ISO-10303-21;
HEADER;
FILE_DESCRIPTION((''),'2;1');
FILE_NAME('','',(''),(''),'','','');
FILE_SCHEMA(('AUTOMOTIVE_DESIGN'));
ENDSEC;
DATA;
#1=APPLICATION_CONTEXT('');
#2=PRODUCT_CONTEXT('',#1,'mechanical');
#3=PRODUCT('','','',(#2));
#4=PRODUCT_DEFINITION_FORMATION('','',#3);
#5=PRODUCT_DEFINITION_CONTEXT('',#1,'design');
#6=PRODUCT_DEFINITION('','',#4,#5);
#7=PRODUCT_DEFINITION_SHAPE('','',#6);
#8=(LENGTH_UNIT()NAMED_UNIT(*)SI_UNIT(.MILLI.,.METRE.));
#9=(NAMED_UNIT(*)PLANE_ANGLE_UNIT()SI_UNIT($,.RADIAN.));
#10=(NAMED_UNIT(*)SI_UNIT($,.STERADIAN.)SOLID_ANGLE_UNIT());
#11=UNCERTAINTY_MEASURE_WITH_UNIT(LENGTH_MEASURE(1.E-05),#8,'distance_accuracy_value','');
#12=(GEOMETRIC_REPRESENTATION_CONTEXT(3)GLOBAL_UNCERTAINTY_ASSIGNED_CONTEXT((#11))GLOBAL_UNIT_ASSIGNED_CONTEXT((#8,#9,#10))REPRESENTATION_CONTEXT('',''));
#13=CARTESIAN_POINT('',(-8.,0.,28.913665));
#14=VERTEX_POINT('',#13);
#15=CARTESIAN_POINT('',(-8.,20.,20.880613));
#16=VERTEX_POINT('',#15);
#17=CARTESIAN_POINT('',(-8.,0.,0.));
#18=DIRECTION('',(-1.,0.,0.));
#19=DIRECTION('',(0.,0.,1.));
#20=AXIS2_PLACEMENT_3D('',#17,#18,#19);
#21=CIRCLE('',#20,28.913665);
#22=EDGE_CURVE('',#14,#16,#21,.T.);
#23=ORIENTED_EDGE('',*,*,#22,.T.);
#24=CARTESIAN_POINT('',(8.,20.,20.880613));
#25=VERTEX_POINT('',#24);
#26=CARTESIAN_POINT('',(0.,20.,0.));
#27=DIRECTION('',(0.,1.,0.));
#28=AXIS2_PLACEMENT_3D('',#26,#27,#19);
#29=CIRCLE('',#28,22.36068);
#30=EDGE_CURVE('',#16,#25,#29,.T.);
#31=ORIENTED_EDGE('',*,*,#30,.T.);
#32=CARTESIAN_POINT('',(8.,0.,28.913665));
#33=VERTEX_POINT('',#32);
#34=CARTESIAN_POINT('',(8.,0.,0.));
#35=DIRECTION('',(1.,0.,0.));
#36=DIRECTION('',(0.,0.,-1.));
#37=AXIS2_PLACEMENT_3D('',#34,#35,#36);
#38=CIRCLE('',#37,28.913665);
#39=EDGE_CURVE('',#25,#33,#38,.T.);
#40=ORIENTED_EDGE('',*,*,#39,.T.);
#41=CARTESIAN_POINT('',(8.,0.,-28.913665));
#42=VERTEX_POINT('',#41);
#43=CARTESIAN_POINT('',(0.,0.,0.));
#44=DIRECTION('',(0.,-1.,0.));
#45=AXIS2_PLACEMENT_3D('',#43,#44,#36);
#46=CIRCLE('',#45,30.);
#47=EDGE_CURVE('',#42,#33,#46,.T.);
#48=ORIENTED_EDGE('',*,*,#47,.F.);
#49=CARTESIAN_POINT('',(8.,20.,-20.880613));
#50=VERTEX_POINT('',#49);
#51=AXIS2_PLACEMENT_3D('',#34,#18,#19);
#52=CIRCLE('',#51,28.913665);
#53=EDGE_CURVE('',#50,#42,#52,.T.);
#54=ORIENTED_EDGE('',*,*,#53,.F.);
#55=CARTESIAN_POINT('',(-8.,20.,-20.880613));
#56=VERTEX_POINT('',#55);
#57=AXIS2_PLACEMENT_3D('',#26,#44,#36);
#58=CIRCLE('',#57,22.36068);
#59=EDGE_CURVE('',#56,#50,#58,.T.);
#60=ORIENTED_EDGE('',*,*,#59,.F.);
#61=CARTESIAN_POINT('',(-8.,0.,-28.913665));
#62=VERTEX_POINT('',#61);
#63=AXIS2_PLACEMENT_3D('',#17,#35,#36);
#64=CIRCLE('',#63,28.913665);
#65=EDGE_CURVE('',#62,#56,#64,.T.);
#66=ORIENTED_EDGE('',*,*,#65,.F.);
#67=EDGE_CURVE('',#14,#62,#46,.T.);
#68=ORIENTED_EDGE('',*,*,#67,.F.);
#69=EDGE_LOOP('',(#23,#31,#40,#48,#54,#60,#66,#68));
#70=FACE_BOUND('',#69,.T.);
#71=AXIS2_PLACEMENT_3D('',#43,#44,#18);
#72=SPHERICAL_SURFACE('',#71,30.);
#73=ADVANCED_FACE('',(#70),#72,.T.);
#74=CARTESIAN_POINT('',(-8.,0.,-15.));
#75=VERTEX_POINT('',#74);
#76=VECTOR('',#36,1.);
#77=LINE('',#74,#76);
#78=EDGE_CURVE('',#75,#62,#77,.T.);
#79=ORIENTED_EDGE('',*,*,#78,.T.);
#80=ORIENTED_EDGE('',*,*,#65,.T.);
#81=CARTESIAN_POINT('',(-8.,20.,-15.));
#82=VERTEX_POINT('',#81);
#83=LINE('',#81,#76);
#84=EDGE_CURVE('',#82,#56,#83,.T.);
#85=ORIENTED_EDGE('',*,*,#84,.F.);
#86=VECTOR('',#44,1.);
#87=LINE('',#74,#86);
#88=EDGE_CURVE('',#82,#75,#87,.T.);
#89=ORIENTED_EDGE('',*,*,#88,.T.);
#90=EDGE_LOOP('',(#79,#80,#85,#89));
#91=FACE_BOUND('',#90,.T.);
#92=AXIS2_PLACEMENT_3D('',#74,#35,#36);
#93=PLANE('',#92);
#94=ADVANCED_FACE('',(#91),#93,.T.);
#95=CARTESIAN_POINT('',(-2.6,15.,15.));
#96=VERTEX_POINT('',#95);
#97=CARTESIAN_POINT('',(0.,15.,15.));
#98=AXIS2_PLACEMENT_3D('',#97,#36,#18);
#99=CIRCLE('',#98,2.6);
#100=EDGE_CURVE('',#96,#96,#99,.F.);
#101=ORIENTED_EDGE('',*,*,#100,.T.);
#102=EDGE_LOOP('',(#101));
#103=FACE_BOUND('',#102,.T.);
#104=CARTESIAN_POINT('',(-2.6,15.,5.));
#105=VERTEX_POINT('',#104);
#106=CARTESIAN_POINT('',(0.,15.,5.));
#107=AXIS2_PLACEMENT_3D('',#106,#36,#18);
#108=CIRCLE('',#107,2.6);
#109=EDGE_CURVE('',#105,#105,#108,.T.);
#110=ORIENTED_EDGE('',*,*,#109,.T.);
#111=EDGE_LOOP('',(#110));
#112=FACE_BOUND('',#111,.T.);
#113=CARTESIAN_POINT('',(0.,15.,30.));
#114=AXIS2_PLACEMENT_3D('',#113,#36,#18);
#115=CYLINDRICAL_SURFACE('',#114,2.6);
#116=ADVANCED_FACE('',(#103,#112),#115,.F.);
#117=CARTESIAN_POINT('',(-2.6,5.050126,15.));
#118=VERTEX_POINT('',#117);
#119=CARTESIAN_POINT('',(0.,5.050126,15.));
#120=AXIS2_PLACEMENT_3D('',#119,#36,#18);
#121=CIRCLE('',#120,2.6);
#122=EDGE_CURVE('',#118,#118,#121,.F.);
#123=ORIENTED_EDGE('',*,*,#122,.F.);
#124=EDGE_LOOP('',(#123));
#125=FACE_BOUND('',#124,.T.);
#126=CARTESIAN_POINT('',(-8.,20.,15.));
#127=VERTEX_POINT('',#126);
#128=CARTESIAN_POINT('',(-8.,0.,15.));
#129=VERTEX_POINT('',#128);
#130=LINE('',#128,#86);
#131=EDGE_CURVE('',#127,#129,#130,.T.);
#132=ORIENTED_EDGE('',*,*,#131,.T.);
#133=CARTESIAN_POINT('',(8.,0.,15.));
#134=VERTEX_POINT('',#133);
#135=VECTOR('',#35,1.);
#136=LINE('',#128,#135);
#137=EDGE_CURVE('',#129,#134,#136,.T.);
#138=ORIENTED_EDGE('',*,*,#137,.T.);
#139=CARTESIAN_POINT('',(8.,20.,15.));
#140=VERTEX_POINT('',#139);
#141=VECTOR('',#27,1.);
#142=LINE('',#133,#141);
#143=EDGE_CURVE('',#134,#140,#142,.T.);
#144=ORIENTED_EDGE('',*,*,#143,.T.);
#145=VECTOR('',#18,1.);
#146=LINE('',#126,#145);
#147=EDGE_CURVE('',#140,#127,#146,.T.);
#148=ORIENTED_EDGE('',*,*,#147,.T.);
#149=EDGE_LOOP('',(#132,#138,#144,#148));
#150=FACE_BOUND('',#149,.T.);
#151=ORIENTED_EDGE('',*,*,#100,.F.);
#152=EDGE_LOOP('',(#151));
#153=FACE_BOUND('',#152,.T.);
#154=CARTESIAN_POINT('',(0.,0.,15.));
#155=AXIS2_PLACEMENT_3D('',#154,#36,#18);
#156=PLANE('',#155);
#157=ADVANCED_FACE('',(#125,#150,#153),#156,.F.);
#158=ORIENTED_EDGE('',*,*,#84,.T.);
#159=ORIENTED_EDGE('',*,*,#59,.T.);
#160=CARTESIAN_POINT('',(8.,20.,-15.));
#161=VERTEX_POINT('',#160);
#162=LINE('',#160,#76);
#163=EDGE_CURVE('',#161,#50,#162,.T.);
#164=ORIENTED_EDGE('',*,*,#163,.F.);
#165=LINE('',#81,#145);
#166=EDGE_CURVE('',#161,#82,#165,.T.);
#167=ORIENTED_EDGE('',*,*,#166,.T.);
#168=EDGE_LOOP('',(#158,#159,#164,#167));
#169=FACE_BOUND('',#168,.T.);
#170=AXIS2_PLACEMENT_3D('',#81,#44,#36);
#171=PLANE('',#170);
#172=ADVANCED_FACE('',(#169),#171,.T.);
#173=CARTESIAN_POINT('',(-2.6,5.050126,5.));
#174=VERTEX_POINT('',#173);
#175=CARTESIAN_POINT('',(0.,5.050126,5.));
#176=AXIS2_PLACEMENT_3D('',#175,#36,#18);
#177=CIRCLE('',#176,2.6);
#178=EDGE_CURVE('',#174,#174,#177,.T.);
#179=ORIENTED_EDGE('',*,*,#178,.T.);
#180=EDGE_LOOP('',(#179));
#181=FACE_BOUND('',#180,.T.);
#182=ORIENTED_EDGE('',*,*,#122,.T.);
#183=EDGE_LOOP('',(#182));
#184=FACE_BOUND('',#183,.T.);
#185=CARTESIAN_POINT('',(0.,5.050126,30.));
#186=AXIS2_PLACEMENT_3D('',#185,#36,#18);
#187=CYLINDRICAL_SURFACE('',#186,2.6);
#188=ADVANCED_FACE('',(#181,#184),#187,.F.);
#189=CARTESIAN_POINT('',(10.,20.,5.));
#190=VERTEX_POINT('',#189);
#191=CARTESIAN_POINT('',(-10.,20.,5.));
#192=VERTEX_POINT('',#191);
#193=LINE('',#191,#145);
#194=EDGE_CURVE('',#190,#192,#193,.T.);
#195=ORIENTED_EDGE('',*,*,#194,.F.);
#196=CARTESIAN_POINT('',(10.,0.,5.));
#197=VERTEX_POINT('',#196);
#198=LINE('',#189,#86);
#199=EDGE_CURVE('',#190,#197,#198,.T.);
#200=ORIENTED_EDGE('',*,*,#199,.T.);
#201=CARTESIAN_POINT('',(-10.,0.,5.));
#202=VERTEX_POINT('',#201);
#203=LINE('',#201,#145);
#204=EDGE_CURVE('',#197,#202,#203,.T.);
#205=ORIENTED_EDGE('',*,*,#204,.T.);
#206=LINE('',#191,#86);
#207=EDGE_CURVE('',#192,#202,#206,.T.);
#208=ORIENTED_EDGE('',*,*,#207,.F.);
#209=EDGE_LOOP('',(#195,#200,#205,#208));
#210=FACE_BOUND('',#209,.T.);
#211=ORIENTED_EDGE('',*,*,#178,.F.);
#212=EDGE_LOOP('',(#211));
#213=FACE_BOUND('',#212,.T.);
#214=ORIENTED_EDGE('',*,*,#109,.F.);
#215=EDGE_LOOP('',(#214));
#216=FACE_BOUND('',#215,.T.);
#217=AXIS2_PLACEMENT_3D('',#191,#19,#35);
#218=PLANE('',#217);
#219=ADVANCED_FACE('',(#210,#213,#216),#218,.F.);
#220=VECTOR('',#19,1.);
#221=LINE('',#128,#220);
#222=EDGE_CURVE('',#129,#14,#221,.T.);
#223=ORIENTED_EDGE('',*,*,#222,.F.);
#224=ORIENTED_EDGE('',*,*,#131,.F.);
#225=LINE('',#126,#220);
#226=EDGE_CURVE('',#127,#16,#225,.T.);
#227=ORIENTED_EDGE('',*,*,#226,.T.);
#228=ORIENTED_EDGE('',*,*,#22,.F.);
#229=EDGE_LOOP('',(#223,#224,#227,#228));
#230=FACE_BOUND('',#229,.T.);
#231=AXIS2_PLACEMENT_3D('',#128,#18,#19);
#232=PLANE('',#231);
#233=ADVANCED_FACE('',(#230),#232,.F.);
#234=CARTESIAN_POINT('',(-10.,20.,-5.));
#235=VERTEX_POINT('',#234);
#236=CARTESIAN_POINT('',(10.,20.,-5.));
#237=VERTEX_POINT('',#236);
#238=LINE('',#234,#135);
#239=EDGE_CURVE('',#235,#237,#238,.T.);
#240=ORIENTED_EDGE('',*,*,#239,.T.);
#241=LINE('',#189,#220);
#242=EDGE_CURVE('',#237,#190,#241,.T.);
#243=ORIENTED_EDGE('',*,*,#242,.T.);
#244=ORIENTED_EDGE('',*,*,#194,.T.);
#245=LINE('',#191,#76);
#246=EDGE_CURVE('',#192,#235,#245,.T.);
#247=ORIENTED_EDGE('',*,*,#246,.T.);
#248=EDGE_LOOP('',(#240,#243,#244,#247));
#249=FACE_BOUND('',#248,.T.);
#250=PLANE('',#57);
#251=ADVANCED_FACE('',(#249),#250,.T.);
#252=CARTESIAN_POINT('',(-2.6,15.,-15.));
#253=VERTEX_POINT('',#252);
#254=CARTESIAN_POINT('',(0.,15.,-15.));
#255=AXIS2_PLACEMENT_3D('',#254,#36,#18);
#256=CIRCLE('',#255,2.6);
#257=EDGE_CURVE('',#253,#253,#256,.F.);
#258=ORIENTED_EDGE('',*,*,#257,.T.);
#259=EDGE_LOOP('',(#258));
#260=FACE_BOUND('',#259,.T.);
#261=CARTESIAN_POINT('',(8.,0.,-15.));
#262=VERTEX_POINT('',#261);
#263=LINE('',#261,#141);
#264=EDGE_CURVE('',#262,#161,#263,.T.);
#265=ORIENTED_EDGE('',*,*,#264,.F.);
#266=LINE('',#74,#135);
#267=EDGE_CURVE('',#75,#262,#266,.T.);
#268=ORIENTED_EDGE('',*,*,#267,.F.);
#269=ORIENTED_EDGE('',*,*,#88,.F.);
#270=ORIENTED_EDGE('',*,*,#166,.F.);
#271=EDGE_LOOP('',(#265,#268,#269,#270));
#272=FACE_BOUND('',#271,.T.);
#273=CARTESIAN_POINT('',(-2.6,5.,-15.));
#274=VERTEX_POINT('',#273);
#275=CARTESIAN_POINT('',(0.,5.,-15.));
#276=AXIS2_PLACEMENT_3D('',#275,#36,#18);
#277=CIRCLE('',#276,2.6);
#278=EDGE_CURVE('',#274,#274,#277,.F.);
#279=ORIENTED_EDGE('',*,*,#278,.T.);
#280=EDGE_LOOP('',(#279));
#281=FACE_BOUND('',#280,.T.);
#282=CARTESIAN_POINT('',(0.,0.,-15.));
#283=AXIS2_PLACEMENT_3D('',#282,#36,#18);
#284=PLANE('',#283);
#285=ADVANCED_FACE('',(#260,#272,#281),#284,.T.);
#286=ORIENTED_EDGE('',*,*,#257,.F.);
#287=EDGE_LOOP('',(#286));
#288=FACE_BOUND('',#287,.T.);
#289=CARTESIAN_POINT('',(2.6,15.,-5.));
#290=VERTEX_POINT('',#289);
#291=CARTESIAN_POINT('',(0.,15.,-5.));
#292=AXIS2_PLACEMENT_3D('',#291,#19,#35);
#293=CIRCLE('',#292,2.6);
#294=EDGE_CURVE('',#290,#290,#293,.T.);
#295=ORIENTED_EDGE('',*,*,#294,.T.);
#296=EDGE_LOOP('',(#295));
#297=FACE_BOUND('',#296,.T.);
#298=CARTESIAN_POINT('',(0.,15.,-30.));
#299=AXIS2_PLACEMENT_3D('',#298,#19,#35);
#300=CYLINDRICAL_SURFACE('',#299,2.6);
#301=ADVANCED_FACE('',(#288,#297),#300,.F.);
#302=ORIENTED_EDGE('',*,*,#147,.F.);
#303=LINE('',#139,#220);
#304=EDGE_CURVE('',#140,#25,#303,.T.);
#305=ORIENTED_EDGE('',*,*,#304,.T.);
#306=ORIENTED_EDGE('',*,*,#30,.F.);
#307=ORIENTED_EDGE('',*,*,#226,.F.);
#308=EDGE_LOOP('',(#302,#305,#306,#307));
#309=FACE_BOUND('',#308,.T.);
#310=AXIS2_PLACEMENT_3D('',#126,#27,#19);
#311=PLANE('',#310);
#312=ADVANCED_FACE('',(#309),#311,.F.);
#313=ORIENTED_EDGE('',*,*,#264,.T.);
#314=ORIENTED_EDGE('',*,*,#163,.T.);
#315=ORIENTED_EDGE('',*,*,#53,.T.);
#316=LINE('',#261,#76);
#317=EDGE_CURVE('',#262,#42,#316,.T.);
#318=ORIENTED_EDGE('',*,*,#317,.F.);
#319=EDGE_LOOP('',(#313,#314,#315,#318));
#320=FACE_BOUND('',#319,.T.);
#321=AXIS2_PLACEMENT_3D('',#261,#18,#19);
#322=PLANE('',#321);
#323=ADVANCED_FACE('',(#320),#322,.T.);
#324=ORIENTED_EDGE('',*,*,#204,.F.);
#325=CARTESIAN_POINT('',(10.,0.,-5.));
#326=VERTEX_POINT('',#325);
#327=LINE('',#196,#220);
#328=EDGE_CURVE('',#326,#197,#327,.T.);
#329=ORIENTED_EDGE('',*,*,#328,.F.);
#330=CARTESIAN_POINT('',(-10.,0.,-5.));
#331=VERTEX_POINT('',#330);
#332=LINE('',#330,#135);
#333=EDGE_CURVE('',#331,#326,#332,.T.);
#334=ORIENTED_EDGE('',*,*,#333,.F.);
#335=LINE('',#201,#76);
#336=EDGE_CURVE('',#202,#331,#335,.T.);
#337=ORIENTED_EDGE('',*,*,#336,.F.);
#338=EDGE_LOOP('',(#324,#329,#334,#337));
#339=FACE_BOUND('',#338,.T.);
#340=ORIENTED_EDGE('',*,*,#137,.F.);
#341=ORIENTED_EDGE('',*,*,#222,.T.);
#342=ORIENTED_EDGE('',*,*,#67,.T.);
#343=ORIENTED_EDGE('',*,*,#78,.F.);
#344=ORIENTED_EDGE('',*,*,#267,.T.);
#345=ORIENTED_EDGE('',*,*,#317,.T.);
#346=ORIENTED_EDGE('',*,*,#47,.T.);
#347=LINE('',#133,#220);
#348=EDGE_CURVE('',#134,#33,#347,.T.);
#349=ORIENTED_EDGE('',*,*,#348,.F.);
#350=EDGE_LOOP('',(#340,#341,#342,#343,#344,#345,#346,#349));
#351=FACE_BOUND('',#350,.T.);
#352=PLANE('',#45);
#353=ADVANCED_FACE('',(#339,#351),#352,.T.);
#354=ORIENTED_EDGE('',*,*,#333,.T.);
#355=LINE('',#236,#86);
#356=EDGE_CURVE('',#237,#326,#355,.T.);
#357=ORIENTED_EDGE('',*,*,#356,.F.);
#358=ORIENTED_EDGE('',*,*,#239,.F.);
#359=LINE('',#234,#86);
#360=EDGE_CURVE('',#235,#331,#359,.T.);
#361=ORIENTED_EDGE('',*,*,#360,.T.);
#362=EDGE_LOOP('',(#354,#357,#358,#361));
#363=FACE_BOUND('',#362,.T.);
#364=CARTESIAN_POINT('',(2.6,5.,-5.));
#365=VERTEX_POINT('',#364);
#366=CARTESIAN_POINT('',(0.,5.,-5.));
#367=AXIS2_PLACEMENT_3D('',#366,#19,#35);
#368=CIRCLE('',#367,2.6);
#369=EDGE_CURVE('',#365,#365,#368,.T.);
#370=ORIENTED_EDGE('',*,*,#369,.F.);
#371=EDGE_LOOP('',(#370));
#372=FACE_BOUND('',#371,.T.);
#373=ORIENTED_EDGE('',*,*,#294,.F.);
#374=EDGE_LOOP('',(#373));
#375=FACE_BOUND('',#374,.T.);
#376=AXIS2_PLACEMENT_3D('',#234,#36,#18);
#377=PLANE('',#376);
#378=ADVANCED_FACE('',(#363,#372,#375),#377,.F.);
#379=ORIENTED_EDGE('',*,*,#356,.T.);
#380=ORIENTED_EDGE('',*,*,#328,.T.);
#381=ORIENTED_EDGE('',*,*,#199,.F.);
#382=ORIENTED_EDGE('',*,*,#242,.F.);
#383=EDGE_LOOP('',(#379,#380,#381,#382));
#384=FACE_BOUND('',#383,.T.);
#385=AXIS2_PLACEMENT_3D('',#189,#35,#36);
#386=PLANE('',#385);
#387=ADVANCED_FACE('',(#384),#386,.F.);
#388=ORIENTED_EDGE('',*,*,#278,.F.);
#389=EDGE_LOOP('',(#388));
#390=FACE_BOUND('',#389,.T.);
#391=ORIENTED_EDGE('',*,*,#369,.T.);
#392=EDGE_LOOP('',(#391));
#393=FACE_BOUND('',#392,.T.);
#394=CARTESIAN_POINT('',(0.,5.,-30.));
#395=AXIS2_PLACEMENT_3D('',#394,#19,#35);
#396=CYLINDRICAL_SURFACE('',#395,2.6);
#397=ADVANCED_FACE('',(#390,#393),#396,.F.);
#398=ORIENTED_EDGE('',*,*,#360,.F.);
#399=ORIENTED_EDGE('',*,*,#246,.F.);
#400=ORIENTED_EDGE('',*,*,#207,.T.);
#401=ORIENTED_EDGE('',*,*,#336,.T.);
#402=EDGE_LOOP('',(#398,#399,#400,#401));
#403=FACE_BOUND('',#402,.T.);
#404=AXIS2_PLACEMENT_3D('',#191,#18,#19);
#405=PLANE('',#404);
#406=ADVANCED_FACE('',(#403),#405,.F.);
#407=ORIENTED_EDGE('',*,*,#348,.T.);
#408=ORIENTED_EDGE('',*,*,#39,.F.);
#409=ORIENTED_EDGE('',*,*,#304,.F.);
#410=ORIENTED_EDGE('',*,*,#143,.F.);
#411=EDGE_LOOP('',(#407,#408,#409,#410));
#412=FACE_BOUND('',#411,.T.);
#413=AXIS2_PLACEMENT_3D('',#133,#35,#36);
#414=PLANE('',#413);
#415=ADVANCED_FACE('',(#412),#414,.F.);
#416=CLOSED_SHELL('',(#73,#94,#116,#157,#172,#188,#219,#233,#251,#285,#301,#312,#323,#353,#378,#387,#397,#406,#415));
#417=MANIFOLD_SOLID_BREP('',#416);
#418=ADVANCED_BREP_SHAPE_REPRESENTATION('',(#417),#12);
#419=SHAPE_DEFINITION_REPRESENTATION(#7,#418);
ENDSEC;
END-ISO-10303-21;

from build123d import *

# Parameters (mm, degrees)
SKETCH3_W           = 20
SKETCH3_H           = 10
CUT_EXTRUDE1_DEPTH  = 20
SKETCH4_R           = 2.6
CUT_EXTRUDE2_DEPTH  = 26
SKETCH7_R           = 2.6
CUT_EXTRUDE4_DEPTH  = 26
SKETCH8_W           = 16
SKETCH8_H           = 20
CUT_EXTRUDE9_DEPTH  = 15
SKETCH6_W           = 16
SKETCH6_H           = 20
CUT_EXTRUDE10_DEPTH = 15


with BuildPart() as part:
    # Sketch2 → Revolve1 (revolve)
    with BuildSketch(Plane.XY):
        with BuildLine():
            Line((-30, 0), (0, 0))
            Line((0, 0), (0, 30))
            ThreePointArc((0, 30), (-21.213203436, 21.213203436), (-30, 0))
        make_face()
    revolve(axis=Axis((0, 0, 0), (0, 1, 0)))

    # Sketch3 → Cut-Extrude1 (cut)
    with BuildSketch(Plane.XZ):
        Rectangle(SKETCH3_W, SKETCH3_H)
    extrude(amount=-CUT_EXTRUDE1_DEPTH, mode=Mode.SUBTRACT)

    # Sketch4 → Cut-Extrude2 (cut, through all)
    with BuildSketch(Plane(origin=(0, 0, 5), x_dir=(-1, 0, 0), z_dir=(0, 0, -1))):
        with Locations((0, 15)):
            Circle(SKETCH4_R)
        with Locations((0, 5.050125629)):
            Circle(SKETCH4_R)
    extrude(amount=-CUT_EXTRUDE2_DEPTH, mode=Mode.SUBTRACT)

    # Sketch7 → Cut-Extrude4 (cut, through all)
    with BuildSketch(Plane.XY.offset(-5)):
        with Locations((0, 5)):
            Circle(SKETCH7_R)
        with Locations((0, 15)):
            Circle(SKETCH7_R)
    extrude(amount=-CUT_EXTRUDE4_DEPTH, mode=Mode.SUBTRACT)

    # Sketch8 → Cut-Extrude9 (cut)
    with BuildSketch(Plane.XY.offset(-30)):
        with Locations((0, 10)):
            Rectangle(SKETCH8_W, SKETCH8_H)
    extrude(amount=CUT_EXTRUDE9_DEPTH, mode=Mode.SUBTRACT)

    # Sketch6 → Cut-Extrude10 (cut)
    with BuildSketch(Plane.XY.offset(30)):
        with Locations((0, 10)):
            Rectangle(SKETCH6_W, SKETCH6_H)
    extrude(amount=-CUT_EXTRUDE10_DEPTH, mode=Mode.SUBTRACT)


solid = part.part
